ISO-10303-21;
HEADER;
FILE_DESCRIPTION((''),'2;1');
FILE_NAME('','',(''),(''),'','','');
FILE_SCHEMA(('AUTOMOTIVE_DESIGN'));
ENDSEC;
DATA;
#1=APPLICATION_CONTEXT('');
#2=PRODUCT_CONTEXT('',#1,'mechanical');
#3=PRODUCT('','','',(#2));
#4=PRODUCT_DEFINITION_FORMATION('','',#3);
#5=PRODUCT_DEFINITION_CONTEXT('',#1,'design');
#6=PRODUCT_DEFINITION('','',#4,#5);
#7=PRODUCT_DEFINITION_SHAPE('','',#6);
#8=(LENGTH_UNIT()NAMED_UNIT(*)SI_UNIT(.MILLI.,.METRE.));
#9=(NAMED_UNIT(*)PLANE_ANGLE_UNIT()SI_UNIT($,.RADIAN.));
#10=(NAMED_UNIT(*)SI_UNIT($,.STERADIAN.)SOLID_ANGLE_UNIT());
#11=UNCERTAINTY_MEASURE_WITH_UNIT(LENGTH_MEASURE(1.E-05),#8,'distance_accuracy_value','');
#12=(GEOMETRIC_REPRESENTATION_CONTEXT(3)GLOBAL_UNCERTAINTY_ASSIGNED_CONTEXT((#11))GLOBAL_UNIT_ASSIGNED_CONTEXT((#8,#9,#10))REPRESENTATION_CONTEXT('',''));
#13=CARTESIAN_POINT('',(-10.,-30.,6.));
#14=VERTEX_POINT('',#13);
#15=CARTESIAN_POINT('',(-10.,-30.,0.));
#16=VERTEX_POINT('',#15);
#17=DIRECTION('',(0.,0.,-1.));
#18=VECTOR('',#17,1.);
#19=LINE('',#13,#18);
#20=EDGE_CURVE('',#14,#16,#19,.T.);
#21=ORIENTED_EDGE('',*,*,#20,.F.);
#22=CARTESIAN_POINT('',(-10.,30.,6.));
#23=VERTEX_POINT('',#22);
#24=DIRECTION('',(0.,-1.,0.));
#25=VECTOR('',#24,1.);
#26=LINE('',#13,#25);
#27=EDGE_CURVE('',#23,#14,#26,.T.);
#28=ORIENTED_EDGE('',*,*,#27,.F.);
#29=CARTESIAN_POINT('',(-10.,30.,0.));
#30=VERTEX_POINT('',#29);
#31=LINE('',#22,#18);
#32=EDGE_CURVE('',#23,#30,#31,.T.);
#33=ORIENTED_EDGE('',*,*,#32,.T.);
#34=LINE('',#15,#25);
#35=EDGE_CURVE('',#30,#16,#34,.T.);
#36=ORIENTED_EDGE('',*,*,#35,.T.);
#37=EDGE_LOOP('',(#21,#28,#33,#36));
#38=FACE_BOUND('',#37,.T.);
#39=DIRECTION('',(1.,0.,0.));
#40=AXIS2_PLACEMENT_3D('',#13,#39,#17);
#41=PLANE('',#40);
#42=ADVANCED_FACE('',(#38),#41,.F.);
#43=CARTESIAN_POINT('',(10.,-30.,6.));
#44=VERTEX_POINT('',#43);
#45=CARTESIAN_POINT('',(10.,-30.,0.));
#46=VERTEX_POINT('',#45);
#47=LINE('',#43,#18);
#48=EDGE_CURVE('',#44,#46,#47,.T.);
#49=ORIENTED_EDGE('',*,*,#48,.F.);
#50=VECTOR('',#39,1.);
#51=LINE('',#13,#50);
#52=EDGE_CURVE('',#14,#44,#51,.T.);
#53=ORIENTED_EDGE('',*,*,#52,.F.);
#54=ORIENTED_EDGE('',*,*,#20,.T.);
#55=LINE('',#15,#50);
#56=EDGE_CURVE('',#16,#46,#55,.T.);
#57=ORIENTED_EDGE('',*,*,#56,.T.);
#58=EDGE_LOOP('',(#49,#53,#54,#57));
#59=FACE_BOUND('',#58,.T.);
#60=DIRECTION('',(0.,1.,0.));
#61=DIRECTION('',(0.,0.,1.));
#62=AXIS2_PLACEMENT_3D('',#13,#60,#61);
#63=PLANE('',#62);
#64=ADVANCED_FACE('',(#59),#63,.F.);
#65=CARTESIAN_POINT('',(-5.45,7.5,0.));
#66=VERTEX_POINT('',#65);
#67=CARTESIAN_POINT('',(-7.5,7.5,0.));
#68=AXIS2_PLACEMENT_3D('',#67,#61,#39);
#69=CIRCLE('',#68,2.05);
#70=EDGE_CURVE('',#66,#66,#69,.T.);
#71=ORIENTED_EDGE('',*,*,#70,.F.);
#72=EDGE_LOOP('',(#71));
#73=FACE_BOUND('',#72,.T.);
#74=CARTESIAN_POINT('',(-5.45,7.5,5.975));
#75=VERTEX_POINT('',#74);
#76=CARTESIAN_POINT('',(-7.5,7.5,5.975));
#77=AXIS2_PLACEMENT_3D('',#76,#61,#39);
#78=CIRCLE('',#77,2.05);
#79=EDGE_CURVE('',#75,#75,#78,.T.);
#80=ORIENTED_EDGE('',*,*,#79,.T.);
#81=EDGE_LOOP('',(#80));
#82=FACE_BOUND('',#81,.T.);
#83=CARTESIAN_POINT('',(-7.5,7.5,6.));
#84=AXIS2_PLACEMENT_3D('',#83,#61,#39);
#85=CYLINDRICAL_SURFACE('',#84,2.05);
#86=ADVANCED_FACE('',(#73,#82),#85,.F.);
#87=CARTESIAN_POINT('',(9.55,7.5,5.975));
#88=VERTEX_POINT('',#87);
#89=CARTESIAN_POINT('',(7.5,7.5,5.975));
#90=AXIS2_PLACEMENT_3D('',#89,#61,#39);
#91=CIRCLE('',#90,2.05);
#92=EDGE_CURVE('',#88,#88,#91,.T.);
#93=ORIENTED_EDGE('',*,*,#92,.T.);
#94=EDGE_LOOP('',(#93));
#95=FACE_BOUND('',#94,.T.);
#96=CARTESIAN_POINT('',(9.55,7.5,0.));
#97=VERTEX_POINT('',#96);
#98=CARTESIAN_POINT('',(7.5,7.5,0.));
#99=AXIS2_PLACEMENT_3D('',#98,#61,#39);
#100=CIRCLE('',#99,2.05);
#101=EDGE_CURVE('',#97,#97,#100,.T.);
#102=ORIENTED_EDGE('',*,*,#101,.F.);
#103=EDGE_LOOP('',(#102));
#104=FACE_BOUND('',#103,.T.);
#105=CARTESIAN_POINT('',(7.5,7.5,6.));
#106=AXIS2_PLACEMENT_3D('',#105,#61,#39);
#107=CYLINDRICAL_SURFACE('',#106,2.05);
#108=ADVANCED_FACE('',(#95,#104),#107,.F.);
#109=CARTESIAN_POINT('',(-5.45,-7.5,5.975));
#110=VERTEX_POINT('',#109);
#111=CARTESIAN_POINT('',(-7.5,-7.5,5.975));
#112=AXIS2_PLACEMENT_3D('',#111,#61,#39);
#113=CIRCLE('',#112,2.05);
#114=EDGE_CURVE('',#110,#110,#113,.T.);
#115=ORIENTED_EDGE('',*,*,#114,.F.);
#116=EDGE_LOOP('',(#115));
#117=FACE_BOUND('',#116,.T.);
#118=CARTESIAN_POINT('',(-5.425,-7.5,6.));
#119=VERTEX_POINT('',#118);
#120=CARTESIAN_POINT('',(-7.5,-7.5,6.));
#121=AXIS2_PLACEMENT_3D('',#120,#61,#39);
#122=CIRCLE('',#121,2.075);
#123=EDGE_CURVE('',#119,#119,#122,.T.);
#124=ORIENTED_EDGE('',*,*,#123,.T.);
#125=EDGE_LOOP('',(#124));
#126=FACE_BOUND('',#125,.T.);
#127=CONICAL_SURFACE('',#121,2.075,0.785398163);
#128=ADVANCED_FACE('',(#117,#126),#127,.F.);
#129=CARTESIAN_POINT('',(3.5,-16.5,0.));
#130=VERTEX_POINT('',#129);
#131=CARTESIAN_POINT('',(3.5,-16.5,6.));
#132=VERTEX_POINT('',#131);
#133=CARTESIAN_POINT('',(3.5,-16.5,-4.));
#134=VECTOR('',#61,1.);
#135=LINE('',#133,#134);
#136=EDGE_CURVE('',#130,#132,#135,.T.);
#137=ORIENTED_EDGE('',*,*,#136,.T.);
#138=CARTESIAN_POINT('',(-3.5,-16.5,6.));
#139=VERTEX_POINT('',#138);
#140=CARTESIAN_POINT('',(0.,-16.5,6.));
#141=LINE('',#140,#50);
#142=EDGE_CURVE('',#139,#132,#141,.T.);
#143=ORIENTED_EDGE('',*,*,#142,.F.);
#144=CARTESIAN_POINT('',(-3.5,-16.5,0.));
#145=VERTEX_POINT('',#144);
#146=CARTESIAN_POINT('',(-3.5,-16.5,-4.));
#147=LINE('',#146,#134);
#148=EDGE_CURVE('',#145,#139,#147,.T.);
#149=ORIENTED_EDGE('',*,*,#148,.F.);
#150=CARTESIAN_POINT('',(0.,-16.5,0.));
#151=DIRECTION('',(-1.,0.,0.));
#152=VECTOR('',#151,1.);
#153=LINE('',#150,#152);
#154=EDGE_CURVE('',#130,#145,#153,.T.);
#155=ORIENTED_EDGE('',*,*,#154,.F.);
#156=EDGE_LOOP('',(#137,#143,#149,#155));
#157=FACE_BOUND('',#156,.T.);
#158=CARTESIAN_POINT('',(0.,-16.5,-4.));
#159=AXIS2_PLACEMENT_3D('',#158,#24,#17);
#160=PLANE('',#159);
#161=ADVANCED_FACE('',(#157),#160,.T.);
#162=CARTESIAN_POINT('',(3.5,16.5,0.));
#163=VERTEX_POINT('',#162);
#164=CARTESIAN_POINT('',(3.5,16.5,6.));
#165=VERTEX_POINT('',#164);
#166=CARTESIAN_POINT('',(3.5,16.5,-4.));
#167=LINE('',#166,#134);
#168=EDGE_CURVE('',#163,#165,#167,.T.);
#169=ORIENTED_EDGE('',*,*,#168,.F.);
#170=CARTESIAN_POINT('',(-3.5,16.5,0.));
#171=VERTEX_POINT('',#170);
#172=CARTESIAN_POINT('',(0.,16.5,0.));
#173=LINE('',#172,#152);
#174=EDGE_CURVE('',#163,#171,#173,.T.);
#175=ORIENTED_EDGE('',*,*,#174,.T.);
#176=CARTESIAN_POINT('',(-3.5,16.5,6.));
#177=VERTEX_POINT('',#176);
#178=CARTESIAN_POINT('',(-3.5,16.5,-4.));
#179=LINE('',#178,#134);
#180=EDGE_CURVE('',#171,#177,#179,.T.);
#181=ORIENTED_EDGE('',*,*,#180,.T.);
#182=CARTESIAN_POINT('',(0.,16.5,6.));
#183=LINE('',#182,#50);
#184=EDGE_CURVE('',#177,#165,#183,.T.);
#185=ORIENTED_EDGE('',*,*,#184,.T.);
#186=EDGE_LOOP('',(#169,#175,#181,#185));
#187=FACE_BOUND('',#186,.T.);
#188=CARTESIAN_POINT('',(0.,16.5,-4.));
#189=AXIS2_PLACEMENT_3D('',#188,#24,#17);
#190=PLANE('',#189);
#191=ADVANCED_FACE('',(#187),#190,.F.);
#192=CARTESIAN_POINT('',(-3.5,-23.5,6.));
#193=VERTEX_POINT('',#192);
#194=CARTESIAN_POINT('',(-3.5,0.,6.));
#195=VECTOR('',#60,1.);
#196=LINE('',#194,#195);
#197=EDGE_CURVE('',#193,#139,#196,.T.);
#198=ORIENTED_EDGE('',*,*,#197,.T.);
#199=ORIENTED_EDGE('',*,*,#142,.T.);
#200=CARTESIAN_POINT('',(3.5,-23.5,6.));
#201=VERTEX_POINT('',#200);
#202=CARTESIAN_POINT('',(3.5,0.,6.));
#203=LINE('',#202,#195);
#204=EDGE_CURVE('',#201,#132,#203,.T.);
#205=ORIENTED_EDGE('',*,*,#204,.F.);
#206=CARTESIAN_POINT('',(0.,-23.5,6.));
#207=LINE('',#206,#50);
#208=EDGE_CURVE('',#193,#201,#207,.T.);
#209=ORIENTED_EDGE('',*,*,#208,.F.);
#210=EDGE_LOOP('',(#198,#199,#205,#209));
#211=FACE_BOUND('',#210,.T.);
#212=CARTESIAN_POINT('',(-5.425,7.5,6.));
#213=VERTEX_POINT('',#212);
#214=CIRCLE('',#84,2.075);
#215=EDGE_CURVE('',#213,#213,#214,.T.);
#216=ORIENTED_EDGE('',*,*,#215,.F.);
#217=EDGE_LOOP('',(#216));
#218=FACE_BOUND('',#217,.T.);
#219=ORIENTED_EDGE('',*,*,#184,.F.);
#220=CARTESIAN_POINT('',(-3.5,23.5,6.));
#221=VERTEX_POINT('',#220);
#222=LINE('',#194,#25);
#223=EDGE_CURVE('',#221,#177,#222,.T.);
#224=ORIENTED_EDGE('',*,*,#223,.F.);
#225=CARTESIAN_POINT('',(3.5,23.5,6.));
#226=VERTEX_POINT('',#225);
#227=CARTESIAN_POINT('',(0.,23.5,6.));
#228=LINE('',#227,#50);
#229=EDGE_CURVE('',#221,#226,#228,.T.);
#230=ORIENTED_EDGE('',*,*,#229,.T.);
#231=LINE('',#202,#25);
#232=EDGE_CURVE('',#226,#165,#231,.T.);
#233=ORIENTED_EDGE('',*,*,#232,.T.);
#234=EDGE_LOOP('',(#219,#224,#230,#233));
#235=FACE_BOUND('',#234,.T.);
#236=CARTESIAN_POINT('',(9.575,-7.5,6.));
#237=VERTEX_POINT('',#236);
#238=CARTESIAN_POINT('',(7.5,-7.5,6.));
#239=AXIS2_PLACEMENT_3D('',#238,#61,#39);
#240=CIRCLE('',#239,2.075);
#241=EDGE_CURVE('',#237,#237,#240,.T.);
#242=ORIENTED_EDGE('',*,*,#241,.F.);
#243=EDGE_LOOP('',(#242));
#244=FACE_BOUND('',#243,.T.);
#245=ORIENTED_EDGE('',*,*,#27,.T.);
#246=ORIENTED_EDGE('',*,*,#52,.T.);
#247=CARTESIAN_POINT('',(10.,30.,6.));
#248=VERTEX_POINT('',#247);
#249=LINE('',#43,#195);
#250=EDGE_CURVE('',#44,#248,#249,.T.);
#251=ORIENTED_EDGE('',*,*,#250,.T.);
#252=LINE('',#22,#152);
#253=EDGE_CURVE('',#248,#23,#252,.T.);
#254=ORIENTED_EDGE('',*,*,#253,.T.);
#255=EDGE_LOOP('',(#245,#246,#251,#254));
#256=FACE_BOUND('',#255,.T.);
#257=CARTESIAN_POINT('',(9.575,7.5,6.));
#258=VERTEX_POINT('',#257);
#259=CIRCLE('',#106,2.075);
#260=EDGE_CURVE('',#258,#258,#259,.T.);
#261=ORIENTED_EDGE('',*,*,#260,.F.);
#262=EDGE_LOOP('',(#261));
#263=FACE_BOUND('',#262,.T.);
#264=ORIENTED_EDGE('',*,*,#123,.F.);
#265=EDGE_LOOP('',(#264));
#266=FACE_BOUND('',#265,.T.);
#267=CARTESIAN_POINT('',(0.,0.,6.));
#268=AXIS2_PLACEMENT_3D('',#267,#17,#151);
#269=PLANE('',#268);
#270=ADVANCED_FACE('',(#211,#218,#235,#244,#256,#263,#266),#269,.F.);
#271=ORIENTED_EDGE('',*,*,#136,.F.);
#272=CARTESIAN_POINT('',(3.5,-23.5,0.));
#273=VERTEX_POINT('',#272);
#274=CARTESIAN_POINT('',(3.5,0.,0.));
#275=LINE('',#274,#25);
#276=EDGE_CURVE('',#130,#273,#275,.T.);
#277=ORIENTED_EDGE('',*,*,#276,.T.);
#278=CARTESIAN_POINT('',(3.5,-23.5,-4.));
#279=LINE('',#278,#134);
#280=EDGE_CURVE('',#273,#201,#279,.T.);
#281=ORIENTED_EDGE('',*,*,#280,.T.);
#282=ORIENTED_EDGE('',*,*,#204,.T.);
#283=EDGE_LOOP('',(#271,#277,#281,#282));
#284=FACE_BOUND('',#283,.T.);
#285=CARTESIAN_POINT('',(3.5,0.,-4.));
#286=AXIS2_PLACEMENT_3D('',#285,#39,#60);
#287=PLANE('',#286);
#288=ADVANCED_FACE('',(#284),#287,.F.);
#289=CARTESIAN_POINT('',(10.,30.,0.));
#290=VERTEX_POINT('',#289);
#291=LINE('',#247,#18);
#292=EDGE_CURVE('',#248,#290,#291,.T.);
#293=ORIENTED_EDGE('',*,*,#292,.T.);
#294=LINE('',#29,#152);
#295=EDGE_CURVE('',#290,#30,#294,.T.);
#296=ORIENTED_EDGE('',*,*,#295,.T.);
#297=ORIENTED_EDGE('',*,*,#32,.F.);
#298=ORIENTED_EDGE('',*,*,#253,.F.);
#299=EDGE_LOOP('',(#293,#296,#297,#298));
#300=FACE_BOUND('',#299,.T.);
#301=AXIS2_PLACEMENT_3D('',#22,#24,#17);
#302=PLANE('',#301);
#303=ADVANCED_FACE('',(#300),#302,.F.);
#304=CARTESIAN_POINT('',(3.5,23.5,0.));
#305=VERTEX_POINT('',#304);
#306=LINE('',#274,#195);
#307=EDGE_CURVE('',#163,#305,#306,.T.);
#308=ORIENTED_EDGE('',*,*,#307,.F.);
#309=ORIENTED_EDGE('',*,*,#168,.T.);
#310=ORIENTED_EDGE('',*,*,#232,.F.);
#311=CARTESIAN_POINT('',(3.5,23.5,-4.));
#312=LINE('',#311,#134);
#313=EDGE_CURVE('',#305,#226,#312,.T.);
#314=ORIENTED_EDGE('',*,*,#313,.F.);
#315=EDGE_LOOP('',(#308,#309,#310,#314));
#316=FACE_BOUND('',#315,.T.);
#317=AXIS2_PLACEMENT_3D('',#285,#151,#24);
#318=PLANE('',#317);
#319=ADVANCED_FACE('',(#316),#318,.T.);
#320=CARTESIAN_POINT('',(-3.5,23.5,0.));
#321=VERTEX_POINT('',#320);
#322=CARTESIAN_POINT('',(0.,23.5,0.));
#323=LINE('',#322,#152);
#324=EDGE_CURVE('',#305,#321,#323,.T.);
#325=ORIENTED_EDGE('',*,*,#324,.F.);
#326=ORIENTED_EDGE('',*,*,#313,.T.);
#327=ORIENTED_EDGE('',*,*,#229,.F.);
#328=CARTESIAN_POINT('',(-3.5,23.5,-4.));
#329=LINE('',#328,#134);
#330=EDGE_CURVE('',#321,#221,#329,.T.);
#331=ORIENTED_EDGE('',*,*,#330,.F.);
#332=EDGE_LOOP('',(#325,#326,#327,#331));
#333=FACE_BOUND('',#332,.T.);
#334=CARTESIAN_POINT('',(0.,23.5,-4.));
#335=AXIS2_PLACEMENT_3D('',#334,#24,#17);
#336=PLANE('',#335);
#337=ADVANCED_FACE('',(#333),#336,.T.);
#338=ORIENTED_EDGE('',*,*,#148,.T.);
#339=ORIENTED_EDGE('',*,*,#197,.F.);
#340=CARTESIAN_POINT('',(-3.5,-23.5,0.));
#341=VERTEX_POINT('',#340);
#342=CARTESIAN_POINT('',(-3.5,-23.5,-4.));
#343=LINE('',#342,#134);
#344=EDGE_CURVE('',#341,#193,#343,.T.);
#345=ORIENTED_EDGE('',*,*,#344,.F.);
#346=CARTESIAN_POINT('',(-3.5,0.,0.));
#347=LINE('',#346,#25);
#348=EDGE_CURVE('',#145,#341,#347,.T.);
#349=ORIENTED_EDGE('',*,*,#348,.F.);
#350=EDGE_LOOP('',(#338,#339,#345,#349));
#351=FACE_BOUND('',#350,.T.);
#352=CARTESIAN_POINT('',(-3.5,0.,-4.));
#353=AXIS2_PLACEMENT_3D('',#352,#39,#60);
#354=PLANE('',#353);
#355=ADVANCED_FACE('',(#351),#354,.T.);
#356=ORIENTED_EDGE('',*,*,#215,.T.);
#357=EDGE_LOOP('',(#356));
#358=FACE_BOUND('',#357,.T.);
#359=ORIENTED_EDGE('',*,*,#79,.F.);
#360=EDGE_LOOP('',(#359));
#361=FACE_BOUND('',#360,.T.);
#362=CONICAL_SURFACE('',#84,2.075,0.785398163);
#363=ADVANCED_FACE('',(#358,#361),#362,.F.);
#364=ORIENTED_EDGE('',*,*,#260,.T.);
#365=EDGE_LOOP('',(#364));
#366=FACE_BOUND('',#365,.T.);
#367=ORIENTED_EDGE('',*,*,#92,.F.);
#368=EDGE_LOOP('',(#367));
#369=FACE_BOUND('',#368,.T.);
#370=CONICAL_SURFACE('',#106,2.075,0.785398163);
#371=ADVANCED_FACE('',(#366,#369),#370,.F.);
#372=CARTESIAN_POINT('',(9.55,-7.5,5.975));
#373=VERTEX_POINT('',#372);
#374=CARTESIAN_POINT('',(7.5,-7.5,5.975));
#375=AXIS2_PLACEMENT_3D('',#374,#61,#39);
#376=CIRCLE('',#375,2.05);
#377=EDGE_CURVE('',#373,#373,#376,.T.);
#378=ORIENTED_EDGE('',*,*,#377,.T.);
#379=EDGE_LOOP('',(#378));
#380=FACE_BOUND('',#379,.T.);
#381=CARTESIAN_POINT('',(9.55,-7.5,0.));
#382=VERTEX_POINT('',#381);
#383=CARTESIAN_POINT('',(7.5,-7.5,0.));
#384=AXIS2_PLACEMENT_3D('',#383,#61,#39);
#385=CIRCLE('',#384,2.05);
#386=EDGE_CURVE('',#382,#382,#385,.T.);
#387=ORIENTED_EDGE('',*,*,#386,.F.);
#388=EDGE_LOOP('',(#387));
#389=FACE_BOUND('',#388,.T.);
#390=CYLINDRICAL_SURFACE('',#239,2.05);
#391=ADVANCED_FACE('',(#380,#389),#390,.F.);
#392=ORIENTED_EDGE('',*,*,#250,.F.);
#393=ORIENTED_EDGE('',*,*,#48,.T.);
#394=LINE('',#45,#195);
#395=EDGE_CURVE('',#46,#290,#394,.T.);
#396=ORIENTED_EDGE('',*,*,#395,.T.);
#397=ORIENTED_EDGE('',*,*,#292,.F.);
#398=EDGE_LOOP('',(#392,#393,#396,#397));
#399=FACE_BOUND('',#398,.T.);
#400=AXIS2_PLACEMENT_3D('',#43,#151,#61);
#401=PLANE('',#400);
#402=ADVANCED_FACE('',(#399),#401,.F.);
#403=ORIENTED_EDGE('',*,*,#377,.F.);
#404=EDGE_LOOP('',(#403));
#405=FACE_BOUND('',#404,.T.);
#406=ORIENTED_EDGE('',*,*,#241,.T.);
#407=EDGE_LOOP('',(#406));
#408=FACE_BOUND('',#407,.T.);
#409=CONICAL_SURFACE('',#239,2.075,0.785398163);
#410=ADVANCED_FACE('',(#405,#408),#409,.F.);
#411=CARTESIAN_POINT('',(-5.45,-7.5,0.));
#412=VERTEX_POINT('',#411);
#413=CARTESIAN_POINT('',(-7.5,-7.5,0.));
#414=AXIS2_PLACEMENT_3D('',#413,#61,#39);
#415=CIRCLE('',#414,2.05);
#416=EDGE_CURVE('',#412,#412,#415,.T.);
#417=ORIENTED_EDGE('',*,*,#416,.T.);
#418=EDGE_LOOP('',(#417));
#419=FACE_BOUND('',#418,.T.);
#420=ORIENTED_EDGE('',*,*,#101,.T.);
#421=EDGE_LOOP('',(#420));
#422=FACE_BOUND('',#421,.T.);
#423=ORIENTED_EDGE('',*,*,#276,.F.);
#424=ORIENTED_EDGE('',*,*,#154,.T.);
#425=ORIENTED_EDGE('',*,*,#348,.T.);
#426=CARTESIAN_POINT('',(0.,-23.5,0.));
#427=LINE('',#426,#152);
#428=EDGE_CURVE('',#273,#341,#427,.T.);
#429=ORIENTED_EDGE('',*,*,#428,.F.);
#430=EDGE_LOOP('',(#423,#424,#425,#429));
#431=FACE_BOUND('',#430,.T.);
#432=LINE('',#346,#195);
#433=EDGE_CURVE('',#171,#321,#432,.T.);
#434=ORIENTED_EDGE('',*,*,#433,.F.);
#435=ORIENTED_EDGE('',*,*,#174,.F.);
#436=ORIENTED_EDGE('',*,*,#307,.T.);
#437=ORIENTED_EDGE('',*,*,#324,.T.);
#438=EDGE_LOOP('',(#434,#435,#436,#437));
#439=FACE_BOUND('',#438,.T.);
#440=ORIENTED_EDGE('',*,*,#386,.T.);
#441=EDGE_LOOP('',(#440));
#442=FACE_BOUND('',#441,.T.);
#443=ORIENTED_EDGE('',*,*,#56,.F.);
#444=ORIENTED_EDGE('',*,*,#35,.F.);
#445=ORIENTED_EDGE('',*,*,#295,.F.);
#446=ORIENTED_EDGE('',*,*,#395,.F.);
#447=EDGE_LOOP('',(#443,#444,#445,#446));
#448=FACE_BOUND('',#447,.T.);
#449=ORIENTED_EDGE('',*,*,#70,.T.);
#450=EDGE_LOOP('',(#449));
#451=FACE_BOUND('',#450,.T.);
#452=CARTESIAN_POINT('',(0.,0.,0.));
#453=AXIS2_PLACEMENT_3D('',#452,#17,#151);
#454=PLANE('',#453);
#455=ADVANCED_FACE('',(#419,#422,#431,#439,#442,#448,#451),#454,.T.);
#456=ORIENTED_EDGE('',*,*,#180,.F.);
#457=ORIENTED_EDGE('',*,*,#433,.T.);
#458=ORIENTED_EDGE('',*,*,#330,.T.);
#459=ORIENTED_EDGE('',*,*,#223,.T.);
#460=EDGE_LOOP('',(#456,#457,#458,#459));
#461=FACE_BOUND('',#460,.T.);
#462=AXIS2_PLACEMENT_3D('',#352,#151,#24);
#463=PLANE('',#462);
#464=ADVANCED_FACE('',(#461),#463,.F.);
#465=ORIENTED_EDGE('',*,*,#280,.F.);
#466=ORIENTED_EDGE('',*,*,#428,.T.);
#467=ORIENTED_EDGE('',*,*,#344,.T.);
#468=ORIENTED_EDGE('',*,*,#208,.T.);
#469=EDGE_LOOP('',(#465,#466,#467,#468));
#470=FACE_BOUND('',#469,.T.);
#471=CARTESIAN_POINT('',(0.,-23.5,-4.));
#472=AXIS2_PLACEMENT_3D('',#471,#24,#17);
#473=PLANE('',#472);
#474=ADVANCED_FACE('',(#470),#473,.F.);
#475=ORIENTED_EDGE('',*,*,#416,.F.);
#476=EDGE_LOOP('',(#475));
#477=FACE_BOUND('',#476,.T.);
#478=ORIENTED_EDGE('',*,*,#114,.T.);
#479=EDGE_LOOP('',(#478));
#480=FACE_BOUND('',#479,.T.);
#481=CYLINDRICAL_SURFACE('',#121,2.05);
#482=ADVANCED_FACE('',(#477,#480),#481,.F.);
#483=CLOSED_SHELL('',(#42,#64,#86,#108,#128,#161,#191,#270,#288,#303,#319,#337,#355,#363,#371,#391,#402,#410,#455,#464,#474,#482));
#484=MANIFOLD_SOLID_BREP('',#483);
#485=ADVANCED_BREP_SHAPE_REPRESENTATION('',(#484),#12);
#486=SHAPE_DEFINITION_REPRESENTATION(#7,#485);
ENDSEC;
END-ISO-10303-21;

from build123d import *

# Parameters (mm, degrees)
SKETCH_1_W                        = 20
SKETCH_1_H                        = 60
EXTRUDE_1_DEPTH                   = 6
SKETCH_2_W                        = 7
SKETCH_2_H                        = 7
CUT_EXTRUDE_1_DEPTH               = 10
HOLE_WIZARD_4_1_4_1_1_D           = 4.1
HOLE_WIZARD_4_1_4_1_1_CSINK_D     = 4.15
HOLE_WIZARD_4_1_4_1_1_CSINK_ANGLE = 90


with BuildPart() as part:
    # 草图1 → 凸台-拉伸1 (new body)
    with BuildSketch(Plane.XY):
        Rectangle(SKETCH_1_W, SKETCH_1_H)
    extrude(amount=EXTRUDE_1_DEPTH)

    # 草图2 → 切除-拉伸1 (cut)
    with BuildSketch(Plane.XY.offset(6)):
        with Locations((0, 20)):
            Rectangle(SKETCH_2_W, SKETCH_2_H)
    cut_extrude_1 = extrude(amount=-CUT_EXTRUDE_1_DEPTH, mode=Mode.SUBTRACT)

    # 镜向1: 切除-拉伸1 across plane
    add(cut_extrude_1.mirror(Plane.ZX), mode=Mode.SUBTRACT)

    # Ø4.1 (4.1) 直径孔1 (through all)
    with Locations(Plane(origin=(-7.5, 7.5, 6), x_dir=(1, 0, 0), z_dir=(0, 0, 1))):
        with Locations((0, 0), (15, 0), (15, -15), (0, -15)):
            CounterSinkHole(HOLE_WIZARD_4_1_4_1_1_D / 2, HOLE_WIZARD_4_1_4_1_1_CSINK_D / 2, counter_sink_angle=HOLE_WIZARD_4_1_4_1_1_CSINK_ANGLE)


solid = part.part
